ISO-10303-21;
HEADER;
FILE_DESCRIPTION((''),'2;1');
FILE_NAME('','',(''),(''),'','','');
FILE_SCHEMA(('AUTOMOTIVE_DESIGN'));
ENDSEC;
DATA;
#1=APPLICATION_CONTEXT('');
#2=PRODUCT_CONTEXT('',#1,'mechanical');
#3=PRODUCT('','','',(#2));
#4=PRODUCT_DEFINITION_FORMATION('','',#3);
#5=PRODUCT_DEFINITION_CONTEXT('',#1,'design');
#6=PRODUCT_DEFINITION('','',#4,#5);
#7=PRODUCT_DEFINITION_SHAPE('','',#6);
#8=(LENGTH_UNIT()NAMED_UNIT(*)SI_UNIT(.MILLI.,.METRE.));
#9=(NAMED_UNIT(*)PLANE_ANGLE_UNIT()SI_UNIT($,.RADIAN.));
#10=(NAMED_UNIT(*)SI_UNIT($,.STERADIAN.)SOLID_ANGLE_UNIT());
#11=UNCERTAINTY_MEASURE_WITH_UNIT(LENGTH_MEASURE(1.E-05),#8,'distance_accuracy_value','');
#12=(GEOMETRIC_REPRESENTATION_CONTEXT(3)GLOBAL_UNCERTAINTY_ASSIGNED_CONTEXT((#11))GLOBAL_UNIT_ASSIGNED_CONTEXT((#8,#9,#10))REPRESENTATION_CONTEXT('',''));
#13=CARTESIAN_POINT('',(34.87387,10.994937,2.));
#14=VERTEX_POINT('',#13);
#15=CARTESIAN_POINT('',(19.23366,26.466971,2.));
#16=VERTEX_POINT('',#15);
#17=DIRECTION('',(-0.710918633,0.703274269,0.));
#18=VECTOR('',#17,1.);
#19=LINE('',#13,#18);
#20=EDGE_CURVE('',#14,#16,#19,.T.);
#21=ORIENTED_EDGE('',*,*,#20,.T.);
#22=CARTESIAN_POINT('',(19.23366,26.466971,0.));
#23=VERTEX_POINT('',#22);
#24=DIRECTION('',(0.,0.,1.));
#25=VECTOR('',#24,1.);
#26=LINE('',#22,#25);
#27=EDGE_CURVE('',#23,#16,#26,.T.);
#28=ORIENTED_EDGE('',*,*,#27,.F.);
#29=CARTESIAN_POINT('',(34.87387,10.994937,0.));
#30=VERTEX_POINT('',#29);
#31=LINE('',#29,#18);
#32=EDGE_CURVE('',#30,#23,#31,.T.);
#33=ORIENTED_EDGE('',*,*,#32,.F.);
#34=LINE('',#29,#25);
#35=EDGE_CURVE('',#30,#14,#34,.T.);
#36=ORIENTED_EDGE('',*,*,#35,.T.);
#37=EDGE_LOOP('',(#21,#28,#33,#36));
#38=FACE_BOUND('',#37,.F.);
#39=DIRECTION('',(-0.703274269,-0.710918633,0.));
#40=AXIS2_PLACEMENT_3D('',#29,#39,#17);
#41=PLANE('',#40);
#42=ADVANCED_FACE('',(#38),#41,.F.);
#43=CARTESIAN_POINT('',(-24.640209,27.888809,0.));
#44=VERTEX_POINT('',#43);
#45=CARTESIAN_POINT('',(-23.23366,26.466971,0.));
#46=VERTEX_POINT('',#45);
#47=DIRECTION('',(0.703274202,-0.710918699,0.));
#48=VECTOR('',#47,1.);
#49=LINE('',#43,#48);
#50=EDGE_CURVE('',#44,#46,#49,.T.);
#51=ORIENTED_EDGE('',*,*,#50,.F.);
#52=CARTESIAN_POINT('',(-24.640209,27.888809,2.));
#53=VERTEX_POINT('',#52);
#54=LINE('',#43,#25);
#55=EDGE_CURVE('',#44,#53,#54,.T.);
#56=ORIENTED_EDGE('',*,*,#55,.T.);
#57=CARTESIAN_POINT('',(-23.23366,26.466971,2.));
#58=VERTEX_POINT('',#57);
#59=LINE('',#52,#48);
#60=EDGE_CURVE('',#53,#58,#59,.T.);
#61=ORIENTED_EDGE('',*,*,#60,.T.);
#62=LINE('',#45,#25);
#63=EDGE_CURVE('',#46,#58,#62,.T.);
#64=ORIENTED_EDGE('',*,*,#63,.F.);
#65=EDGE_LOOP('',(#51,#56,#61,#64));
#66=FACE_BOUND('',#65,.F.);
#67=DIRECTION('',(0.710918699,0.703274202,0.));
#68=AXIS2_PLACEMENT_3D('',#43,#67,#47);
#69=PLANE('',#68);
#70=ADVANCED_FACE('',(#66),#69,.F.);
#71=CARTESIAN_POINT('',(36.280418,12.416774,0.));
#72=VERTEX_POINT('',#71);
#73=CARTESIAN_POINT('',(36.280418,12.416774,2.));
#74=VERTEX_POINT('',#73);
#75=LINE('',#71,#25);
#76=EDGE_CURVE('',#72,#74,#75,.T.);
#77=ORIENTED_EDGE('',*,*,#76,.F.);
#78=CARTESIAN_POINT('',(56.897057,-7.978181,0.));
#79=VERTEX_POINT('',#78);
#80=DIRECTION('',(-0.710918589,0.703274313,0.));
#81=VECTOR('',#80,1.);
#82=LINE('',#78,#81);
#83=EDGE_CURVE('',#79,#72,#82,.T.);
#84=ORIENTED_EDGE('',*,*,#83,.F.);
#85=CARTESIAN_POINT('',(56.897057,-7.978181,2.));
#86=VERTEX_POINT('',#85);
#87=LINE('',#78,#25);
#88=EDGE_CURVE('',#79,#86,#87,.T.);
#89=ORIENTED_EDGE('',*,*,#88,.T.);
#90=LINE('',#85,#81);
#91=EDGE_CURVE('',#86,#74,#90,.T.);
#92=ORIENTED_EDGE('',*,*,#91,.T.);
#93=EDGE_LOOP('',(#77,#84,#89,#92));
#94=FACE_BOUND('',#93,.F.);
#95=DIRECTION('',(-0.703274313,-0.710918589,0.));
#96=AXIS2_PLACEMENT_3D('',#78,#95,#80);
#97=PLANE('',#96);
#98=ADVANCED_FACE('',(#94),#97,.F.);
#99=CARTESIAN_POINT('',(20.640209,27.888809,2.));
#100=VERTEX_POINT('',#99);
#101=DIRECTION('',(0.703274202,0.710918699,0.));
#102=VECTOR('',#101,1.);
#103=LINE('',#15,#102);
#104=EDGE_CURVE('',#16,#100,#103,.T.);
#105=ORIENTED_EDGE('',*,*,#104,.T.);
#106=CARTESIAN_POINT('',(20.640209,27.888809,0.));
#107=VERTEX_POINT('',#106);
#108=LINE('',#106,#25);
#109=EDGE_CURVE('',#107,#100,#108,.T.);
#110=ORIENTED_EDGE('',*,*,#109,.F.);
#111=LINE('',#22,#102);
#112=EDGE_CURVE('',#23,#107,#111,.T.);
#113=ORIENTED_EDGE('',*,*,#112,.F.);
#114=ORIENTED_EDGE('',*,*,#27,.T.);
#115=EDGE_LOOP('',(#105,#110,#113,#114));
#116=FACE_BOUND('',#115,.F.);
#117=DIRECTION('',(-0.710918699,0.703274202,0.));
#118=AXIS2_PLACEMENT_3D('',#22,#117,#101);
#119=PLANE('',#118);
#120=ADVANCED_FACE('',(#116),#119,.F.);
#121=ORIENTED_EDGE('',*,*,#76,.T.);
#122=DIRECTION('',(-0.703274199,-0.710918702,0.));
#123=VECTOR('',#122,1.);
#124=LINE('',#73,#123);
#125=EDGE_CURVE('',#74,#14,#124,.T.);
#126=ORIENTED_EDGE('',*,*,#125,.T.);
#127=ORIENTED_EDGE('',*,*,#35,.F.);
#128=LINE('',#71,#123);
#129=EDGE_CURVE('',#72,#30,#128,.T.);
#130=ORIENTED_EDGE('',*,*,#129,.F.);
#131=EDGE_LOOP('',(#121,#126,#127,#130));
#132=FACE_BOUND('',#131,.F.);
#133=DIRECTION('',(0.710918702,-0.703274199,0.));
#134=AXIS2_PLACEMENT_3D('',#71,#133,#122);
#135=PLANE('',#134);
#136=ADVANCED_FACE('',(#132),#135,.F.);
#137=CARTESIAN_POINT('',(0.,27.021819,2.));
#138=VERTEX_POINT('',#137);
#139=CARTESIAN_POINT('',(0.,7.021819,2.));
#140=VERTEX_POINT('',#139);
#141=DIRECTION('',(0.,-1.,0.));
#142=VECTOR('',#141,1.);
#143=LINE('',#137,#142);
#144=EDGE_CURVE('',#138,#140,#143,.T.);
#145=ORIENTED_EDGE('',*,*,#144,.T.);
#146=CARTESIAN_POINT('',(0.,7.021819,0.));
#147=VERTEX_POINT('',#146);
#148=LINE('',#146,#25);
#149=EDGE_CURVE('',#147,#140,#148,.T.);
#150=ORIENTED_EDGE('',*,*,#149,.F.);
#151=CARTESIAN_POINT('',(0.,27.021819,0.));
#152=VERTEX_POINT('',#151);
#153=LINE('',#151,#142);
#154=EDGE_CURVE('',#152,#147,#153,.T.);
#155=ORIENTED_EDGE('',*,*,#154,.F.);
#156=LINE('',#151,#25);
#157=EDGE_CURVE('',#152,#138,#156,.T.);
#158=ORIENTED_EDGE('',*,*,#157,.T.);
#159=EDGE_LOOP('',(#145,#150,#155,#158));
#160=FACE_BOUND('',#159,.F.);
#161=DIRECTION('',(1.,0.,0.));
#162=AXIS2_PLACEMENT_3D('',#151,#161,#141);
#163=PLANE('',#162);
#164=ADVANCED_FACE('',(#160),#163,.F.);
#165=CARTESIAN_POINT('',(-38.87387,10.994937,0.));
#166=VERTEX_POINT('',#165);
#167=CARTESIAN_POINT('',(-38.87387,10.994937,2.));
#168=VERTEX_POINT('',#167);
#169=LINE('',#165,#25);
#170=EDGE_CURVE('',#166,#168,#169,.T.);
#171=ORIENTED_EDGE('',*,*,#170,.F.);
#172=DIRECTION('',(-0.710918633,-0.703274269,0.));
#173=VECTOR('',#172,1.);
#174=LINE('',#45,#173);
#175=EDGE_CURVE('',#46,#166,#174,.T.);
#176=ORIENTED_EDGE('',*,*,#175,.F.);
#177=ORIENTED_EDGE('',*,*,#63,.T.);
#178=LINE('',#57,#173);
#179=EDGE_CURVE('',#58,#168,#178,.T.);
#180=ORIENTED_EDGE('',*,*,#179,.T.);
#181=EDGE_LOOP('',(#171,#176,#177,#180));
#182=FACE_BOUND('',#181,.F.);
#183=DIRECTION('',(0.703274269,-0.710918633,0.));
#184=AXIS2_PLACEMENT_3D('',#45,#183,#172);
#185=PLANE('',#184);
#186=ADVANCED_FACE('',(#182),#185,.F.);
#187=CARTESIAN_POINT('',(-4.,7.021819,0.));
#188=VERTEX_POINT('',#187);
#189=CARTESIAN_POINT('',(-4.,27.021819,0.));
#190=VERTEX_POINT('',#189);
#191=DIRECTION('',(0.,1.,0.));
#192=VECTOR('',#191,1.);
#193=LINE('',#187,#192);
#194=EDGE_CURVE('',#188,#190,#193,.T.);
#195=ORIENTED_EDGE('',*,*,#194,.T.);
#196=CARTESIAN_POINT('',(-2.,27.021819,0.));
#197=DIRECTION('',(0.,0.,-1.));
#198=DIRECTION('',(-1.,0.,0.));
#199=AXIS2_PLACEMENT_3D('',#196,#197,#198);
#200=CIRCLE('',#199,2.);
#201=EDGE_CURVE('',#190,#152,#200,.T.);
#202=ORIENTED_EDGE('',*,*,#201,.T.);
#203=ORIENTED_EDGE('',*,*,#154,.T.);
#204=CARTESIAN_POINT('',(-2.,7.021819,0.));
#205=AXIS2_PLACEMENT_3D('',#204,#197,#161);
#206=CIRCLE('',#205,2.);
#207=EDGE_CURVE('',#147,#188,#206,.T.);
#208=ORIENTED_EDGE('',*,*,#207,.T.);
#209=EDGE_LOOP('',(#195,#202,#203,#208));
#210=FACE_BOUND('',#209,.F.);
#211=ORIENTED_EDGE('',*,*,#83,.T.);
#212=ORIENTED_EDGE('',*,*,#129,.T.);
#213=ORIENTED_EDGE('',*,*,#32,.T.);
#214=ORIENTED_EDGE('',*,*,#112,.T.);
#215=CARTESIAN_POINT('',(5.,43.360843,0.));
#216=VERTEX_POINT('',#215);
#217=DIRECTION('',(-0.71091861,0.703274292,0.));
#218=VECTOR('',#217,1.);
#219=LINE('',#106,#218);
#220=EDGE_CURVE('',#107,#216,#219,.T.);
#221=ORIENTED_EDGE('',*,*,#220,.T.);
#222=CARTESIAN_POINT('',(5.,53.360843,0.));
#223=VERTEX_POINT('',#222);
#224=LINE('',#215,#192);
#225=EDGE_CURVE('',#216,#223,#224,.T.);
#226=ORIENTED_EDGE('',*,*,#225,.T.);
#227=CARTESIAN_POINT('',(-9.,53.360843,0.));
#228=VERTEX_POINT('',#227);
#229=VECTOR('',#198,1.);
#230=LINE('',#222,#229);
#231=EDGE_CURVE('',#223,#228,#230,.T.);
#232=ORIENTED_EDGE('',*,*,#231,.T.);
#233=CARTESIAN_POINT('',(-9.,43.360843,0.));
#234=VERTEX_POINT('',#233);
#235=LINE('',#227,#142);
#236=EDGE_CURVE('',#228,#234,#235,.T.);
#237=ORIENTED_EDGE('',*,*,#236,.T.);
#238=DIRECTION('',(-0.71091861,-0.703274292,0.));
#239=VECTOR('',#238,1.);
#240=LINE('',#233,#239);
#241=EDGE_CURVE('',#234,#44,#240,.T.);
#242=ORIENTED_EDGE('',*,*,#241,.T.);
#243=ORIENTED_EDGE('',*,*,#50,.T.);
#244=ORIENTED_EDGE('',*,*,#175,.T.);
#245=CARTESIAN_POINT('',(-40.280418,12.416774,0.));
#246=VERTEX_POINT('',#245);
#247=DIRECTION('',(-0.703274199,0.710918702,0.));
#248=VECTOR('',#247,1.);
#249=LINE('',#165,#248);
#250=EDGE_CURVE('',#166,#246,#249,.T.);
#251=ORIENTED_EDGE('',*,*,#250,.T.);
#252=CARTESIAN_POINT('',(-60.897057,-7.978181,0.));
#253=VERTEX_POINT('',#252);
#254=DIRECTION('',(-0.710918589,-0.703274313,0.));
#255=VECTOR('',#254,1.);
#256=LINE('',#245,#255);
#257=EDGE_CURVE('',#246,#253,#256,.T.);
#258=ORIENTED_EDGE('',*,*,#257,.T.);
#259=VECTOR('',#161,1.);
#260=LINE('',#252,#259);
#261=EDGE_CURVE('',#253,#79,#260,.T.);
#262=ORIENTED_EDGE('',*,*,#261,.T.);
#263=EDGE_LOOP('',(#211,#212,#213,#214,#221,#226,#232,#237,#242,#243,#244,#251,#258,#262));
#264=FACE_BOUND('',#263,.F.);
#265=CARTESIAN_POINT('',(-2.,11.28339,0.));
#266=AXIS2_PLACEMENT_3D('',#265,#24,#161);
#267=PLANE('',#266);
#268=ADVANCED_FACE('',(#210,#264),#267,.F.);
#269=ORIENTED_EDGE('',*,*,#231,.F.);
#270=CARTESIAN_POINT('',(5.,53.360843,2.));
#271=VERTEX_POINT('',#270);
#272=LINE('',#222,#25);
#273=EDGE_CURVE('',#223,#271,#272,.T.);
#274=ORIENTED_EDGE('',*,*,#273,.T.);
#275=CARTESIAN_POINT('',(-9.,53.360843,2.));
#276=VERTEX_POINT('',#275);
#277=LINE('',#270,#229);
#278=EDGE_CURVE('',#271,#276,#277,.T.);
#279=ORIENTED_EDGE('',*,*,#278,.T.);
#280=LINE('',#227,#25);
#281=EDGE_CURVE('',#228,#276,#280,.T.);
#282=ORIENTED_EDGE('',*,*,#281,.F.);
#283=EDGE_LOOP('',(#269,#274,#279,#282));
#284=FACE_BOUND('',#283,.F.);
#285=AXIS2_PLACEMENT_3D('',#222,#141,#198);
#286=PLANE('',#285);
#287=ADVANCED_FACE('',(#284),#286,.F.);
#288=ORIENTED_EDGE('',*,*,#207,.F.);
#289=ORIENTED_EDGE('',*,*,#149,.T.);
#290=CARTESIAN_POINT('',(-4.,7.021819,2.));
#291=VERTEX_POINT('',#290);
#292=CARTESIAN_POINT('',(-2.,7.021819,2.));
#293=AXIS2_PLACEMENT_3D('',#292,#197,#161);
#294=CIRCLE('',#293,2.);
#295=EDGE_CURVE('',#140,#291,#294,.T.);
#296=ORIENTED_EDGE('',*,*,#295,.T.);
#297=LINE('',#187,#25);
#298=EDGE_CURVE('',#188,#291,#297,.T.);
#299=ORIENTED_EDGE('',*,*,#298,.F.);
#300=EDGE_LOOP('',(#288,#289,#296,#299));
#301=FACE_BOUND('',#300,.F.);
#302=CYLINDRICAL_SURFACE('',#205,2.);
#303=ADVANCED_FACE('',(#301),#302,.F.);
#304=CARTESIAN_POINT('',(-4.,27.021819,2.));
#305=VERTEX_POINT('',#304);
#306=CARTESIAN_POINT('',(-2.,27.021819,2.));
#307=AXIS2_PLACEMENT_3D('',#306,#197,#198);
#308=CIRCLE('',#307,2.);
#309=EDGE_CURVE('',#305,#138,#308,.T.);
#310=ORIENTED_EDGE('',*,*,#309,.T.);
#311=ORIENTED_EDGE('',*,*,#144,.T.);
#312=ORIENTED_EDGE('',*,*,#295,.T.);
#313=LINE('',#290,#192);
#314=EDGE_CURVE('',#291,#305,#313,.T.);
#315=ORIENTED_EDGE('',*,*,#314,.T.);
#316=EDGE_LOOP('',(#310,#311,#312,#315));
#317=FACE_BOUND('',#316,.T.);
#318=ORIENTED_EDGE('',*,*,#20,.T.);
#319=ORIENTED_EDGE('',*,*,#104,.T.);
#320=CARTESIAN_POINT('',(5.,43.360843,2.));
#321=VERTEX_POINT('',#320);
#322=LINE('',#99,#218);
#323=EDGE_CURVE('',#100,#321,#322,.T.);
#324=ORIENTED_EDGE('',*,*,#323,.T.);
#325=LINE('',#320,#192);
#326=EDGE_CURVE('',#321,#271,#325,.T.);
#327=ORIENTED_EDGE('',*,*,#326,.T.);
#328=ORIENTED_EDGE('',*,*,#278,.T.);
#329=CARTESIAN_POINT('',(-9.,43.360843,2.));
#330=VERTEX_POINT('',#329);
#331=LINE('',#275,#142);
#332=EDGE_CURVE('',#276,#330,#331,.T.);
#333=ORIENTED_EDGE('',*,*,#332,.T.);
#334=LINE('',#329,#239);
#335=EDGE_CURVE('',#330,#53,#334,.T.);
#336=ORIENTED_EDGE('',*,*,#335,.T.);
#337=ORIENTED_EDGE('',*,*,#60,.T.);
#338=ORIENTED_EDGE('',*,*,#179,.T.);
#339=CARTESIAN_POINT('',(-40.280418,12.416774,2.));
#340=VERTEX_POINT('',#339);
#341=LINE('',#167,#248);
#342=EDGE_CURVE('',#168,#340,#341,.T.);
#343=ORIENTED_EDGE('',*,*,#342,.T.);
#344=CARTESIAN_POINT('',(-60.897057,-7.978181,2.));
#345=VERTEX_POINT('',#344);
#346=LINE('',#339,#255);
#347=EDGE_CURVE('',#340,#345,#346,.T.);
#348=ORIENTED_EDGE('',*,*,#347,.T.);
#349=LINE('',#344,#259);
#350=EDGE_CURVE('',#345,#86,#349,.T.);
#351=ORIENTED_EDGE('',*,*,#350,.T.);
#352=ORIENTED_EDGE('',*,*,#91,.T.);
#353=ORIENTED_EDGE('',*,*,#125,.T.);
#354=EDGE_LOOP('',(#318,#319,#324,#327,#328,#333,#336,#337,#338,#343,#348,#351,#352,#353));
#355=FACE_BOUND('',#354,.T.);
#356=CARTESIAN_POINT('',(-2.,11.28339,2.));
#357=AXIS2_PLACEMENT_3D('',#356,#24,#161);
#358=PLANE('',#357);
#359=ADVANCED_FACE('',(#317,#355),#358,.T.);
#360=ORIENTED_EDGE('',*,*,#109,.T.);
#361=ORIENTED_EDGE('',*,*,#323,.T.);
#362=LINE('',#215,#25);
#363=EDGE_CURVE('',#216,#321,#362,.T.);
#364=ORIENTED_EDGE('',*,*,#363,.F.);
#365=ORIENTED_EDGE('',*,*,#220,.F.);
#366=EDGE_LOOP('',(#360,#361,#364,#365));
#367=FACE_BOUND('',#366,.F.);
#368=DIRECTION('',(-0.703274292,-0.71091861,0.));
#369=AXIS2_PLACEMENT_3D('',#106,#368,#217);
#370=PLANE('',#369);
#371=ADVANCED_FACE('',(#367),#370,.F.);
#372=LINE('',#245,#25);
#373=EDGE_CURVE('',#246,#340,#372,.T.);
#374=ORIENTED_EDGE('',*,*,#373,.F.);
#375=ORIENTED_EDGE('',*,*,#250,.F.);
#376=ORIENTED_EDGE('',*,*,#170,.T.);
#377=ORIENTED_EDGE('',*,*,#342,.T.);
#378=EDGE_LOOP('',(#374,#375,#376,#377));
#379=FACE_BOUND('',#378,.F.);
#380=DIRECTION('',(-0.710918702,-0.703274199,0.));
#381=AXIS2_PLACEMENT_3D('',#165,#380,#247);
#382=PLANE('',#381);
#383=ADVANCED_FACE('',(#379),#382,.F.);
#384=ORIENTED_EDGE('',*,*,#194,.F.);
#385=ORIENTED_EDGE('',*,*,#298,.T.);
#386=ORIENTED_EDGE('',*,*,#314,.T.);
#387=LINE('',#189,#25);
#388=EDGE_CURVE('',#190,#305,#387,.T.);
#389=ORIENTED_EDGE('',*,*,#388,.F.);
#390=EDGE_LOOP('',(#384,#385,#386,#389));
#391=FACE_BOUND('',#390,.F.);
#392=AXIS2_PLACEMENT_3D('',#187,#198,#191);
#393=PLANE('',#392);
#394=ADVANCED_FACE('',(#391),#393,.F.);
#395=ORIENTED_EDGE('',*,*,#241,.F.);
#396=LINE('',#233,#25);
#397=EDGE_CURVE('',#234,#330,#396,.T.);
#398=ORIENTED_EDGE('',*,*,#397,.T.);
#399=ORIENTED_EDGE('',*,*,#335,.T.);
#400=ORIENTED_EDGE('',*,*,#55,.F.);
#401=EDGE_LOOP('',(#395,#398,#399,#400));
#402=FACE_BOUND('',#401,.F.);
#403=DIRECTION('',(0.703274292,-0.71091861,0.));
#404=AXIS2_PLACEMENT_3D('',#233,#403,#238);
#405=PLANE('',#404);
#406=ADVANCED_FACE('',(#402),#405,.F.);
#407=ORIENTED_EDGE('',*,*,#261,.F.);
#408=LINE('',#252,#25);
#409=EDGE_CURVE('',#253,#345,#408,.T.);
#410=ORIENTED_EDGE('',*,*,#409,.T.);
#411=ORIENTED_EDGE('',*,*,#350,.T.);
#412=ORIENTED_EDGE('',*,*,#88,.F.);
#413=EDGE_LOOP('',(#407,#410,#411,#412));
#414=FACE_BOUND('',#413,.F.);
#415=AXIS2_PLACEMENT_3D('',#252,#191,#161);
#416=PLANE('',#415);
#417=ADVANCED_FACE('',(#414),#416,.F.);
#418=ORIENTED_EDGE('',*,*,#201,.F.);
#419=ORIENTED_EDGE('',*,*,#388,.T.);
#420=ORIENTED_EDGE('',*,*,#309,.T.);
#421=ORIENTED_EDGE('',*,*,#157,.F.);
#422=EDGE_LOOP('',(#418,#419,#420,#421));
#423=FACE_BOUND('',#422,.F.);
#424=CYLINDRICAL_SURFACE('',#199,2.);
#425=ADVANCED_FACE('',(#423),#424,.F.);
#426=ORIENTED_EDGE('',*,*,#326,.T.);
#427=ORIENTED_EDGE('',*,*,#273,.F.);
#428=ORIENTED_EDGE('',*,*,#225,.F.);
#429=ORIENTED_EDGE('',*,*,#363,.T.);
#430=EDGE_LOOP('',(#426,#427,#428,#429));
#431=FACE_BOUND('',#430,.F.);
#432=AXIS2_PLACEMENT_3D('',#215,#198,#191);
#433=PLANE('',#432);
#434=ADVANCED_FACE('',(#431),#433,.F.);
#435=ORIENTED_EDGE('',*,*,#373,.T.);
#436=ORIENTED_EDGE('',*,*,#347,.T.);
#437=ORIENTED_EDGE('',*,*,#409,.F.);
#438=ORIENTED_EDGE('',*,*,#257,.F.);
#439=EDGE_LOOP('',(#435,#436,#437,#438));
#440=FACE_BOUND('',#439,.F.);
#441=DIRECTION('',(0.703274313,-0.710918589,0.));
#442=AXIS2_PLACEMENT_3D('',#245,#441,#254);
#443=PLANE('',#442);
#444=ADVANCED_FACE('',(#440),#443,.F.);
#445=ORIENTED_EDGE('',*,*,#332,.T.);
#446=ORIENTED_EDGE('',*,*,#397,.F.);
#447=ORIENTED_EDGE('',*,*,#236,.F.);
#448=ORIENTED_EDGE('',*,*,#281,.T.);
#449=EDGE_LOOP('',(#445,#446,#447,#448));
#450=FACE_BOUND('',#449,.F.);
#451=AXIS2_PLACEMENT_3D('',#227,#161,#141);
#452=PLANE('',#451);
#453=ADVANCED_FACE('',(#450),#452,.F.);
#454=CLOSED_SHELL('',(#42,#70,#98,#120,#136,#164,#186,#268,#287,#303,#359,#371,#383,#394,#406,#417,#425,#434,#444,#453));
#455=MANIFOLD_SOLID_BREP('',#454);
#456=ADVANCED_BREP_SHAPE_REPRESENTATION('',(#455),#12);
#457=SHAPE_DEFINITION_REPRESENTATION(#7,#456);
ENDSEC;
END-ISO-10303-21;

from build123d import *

# Parameters (mm, degrees)
F1_DEPTH = 2


with BuildPart() as f1:
    # F0 (on Top) → F1 (new body)
    with BuildSketch(Plane.XY):
        Polygon((-24.640209, 27.888809), (-23.23366, 26.466971), (-38.87387, 10.994937), (-40.280418, 12.416774), (-60.897057, -7.978181), (56.897057, -7.978181), (36.280418, 12.416774), (34.87387, 10.994937), (19.23366, 26.466971), (20.640209, 27.888809), (5, 43.360843), (5, 53.360843), (-9, 53.360843), (-9, 43.360843), align=None)
        with BuildLine():
            Line((0, 27.021819), (0, 7.021819))
            ThreePointArc((0, 7.021819), (-2, 5.021819), (-4, 7.021819))
            Line((-4, 7.021819), (-4, 27.021819))
            ThreePointArc((-4, 27.021819), (-2, 29.021819), (0, 27.021819))
        make_face(mode=Mode.SUBTRACT)
    extrude(amount=F1_DEPTH)


solid = f1.part
